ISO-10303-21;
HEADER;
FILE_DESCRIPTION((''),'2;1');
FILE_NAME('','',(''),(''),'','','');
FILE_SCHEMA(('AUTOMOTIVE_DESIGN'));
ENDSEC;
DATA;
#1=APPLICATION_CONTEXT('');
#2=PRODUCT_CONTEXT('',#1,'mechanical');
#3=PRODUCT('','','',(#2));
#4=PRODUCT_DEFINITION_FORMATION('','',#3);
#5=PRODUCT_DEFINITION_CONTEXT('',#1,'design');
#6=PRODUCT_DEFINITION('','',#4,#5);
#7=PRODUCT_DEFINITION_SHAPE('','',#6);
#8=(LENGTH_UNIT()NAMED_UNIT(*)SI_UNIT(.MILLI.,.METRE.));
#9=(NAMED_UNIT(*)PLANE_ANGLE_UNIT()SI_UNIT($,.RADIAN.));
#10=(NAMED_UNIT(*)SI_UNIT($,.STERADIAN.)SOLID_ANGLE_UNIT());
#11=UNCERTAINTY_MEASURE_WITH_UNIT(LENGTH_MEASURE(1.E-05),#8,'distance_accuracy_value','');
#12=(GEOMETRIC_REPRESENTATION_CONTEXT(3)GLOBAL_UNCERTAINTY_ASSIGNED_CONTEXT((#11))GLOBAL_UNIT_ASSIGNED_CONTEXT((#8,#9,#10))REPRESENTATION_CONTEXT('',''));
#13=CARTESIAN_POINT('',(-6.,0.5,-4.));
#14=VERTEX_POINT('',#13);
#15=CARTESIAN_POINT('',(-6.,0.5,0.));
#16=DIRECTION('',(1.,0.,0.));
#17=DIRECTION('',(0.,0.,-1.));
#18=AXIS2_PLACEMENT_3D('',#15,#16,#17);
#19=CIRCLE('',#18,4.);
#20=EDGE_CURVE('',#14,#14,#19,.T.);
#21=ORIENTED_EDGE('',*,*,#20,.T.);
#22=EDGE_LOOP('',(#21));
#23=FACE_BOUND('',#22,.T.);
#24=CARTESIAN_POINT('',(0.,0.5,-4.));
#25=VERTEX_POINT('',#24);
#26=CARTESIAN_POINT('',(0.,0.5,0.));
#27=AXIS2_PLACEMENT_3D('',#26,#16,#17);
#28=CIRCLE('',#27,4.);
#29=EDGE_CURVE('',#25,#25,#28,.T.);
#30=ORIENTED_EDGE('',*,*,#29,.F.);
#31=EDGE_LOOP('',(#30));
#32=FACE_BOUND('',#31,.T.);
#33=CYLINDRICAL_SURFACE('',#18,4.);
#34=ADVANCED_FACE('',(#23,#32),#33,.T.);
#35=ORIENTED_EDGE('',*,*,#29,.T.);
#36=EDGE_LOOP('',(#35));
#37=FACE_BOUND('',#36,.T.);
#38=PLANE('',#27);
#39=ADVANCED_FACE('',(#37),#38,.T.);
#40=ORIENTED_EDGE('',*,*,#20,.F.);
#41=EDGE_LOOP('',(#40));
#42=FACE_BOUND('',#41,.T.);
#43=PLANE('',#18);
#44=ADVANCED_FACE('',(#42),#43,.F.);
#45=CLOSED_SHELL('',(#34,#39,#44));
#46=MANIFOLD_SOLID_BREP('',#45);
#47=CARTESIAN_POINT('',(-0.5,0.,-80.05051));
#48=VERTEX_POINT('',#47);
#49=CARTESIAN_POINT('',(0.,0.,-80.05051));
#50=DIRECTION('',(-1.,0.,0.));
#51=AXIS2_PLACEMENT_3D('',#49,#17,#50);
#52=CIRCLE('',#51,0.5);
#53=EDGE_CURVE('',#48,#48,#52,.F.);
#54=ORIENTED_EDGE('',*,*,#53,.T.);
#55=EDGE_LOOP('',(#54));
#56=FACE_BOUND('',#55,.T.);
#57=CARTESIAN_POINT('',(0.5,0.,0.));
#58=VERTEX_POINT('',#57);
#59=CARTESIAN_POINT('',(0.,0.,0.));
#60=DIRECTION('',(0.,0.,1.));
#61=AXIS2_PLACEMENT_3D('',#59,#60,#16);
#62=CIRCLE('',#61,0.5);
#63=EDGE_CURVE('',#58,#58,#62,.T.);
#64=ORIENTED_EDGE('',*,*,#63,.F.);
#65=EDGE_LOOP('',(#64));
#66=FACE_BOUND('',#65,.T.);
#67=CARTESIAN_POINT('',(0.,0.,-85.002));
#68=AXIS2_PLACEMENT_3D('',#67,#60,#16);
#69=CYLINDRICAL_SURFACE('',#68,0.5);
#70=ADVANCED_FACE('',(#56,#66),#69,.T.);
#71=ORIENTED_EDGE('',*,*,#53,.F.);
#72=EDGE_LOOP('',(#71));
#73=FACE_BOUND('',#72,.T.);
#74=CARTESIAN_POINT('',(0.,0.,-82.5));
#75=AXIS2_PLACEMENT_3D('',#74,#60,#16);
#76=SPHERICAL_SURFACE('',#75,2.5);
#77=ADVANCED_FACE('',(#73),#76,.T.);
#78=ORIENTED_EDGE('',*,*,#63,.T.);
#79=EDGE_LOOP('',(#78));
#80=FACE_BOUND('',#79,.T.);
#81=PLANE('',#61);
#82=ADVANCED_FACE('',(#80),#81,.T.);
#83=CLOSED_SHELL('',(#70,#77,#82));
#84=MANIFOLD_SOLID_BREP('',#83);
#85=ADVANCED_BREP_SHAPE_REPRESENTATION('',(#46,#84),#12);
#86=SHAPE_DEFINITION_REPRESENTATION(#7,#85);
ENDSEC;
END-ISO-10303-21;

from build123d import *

# Parameters (mm, degrees)
RESSALTO_EXTRUS_O1_REACH      = 87.073
RESSALTO_EXTRUS_O1_END_RADIUS = 2.5
ESBO_O4_R                     = 0.5
SMLINK_PSI_CIRCLE_R           = 4
SMLINK_PSI_CYLINDER_DEPTH     = 6


with BuildPart() as part:
    # Esboço3 → Revolução1 (revolve)
    with BuildSketch(Plane(origin=(0, 0, 0), x_dir=(-1, 0, 0), z_dir=(0, 1, 0))):
        with BuildLine():
            Line((0, -80), (0, -85))
            ThreePointArc((0, -85), (2.5, -82.5), (0, -80))
        make_face()
    revolve(axis=Axis((0, 0, -80), (0, 0, -1)))

    # Ressalto-extrusão1: up to this sphere (the profile starts outside it)
    ressalto_extrus_o1_end = Location((0, 0, -82.5)) * Sphere(RESSALTO_EXTRUS_O1_END_RADIUS, mode=Mode.PRIVATE)
    # Esboço4 → Ressalto-extrusão1 (add, up to the surface)
    with BuildSketch(Plane(origin=(0, 0, 0), x_dir=(0, 1, 0), z_dir=(0, 0, 1)), mode=Mode.PRIVATE) as ressalto_extrus_o1_sk1:
        with Locations(Location((0, 0, 0), (0, 0, 270))):
            Circle(ESBO_O4_R)
    ressalto_extrus_o1_tool1 = extrude(ressalto_extrus_o1_sk1.sketch, amount=-RESSALTO_EXTRUS_O1_REACH, mode=Mode.PRIVATE) - ressalto_extrus_o1_end
    add(ressalto_extrus_o1_tool1.solids().sort_by_distance((0, 0, 0))[0])


with BuildPart() as body_2:
    # SMLINK_PSI_CIRCLE → SMLINK_PSI_CYLINDER (new body)
    with BuildSketch(Plane(origin=(0, 0, 0), x_dir=(0, 0, -1), z_dir=(1, 0, 0))):
        with Locations((0, 0.5)):
            Circle(SMLINK_PSI_CIRCLE_R)
    extrude(amount=-SMLINK_PSI_CYLINDER_DEPTH)


solid = Compound([part.part, body_2.part])
